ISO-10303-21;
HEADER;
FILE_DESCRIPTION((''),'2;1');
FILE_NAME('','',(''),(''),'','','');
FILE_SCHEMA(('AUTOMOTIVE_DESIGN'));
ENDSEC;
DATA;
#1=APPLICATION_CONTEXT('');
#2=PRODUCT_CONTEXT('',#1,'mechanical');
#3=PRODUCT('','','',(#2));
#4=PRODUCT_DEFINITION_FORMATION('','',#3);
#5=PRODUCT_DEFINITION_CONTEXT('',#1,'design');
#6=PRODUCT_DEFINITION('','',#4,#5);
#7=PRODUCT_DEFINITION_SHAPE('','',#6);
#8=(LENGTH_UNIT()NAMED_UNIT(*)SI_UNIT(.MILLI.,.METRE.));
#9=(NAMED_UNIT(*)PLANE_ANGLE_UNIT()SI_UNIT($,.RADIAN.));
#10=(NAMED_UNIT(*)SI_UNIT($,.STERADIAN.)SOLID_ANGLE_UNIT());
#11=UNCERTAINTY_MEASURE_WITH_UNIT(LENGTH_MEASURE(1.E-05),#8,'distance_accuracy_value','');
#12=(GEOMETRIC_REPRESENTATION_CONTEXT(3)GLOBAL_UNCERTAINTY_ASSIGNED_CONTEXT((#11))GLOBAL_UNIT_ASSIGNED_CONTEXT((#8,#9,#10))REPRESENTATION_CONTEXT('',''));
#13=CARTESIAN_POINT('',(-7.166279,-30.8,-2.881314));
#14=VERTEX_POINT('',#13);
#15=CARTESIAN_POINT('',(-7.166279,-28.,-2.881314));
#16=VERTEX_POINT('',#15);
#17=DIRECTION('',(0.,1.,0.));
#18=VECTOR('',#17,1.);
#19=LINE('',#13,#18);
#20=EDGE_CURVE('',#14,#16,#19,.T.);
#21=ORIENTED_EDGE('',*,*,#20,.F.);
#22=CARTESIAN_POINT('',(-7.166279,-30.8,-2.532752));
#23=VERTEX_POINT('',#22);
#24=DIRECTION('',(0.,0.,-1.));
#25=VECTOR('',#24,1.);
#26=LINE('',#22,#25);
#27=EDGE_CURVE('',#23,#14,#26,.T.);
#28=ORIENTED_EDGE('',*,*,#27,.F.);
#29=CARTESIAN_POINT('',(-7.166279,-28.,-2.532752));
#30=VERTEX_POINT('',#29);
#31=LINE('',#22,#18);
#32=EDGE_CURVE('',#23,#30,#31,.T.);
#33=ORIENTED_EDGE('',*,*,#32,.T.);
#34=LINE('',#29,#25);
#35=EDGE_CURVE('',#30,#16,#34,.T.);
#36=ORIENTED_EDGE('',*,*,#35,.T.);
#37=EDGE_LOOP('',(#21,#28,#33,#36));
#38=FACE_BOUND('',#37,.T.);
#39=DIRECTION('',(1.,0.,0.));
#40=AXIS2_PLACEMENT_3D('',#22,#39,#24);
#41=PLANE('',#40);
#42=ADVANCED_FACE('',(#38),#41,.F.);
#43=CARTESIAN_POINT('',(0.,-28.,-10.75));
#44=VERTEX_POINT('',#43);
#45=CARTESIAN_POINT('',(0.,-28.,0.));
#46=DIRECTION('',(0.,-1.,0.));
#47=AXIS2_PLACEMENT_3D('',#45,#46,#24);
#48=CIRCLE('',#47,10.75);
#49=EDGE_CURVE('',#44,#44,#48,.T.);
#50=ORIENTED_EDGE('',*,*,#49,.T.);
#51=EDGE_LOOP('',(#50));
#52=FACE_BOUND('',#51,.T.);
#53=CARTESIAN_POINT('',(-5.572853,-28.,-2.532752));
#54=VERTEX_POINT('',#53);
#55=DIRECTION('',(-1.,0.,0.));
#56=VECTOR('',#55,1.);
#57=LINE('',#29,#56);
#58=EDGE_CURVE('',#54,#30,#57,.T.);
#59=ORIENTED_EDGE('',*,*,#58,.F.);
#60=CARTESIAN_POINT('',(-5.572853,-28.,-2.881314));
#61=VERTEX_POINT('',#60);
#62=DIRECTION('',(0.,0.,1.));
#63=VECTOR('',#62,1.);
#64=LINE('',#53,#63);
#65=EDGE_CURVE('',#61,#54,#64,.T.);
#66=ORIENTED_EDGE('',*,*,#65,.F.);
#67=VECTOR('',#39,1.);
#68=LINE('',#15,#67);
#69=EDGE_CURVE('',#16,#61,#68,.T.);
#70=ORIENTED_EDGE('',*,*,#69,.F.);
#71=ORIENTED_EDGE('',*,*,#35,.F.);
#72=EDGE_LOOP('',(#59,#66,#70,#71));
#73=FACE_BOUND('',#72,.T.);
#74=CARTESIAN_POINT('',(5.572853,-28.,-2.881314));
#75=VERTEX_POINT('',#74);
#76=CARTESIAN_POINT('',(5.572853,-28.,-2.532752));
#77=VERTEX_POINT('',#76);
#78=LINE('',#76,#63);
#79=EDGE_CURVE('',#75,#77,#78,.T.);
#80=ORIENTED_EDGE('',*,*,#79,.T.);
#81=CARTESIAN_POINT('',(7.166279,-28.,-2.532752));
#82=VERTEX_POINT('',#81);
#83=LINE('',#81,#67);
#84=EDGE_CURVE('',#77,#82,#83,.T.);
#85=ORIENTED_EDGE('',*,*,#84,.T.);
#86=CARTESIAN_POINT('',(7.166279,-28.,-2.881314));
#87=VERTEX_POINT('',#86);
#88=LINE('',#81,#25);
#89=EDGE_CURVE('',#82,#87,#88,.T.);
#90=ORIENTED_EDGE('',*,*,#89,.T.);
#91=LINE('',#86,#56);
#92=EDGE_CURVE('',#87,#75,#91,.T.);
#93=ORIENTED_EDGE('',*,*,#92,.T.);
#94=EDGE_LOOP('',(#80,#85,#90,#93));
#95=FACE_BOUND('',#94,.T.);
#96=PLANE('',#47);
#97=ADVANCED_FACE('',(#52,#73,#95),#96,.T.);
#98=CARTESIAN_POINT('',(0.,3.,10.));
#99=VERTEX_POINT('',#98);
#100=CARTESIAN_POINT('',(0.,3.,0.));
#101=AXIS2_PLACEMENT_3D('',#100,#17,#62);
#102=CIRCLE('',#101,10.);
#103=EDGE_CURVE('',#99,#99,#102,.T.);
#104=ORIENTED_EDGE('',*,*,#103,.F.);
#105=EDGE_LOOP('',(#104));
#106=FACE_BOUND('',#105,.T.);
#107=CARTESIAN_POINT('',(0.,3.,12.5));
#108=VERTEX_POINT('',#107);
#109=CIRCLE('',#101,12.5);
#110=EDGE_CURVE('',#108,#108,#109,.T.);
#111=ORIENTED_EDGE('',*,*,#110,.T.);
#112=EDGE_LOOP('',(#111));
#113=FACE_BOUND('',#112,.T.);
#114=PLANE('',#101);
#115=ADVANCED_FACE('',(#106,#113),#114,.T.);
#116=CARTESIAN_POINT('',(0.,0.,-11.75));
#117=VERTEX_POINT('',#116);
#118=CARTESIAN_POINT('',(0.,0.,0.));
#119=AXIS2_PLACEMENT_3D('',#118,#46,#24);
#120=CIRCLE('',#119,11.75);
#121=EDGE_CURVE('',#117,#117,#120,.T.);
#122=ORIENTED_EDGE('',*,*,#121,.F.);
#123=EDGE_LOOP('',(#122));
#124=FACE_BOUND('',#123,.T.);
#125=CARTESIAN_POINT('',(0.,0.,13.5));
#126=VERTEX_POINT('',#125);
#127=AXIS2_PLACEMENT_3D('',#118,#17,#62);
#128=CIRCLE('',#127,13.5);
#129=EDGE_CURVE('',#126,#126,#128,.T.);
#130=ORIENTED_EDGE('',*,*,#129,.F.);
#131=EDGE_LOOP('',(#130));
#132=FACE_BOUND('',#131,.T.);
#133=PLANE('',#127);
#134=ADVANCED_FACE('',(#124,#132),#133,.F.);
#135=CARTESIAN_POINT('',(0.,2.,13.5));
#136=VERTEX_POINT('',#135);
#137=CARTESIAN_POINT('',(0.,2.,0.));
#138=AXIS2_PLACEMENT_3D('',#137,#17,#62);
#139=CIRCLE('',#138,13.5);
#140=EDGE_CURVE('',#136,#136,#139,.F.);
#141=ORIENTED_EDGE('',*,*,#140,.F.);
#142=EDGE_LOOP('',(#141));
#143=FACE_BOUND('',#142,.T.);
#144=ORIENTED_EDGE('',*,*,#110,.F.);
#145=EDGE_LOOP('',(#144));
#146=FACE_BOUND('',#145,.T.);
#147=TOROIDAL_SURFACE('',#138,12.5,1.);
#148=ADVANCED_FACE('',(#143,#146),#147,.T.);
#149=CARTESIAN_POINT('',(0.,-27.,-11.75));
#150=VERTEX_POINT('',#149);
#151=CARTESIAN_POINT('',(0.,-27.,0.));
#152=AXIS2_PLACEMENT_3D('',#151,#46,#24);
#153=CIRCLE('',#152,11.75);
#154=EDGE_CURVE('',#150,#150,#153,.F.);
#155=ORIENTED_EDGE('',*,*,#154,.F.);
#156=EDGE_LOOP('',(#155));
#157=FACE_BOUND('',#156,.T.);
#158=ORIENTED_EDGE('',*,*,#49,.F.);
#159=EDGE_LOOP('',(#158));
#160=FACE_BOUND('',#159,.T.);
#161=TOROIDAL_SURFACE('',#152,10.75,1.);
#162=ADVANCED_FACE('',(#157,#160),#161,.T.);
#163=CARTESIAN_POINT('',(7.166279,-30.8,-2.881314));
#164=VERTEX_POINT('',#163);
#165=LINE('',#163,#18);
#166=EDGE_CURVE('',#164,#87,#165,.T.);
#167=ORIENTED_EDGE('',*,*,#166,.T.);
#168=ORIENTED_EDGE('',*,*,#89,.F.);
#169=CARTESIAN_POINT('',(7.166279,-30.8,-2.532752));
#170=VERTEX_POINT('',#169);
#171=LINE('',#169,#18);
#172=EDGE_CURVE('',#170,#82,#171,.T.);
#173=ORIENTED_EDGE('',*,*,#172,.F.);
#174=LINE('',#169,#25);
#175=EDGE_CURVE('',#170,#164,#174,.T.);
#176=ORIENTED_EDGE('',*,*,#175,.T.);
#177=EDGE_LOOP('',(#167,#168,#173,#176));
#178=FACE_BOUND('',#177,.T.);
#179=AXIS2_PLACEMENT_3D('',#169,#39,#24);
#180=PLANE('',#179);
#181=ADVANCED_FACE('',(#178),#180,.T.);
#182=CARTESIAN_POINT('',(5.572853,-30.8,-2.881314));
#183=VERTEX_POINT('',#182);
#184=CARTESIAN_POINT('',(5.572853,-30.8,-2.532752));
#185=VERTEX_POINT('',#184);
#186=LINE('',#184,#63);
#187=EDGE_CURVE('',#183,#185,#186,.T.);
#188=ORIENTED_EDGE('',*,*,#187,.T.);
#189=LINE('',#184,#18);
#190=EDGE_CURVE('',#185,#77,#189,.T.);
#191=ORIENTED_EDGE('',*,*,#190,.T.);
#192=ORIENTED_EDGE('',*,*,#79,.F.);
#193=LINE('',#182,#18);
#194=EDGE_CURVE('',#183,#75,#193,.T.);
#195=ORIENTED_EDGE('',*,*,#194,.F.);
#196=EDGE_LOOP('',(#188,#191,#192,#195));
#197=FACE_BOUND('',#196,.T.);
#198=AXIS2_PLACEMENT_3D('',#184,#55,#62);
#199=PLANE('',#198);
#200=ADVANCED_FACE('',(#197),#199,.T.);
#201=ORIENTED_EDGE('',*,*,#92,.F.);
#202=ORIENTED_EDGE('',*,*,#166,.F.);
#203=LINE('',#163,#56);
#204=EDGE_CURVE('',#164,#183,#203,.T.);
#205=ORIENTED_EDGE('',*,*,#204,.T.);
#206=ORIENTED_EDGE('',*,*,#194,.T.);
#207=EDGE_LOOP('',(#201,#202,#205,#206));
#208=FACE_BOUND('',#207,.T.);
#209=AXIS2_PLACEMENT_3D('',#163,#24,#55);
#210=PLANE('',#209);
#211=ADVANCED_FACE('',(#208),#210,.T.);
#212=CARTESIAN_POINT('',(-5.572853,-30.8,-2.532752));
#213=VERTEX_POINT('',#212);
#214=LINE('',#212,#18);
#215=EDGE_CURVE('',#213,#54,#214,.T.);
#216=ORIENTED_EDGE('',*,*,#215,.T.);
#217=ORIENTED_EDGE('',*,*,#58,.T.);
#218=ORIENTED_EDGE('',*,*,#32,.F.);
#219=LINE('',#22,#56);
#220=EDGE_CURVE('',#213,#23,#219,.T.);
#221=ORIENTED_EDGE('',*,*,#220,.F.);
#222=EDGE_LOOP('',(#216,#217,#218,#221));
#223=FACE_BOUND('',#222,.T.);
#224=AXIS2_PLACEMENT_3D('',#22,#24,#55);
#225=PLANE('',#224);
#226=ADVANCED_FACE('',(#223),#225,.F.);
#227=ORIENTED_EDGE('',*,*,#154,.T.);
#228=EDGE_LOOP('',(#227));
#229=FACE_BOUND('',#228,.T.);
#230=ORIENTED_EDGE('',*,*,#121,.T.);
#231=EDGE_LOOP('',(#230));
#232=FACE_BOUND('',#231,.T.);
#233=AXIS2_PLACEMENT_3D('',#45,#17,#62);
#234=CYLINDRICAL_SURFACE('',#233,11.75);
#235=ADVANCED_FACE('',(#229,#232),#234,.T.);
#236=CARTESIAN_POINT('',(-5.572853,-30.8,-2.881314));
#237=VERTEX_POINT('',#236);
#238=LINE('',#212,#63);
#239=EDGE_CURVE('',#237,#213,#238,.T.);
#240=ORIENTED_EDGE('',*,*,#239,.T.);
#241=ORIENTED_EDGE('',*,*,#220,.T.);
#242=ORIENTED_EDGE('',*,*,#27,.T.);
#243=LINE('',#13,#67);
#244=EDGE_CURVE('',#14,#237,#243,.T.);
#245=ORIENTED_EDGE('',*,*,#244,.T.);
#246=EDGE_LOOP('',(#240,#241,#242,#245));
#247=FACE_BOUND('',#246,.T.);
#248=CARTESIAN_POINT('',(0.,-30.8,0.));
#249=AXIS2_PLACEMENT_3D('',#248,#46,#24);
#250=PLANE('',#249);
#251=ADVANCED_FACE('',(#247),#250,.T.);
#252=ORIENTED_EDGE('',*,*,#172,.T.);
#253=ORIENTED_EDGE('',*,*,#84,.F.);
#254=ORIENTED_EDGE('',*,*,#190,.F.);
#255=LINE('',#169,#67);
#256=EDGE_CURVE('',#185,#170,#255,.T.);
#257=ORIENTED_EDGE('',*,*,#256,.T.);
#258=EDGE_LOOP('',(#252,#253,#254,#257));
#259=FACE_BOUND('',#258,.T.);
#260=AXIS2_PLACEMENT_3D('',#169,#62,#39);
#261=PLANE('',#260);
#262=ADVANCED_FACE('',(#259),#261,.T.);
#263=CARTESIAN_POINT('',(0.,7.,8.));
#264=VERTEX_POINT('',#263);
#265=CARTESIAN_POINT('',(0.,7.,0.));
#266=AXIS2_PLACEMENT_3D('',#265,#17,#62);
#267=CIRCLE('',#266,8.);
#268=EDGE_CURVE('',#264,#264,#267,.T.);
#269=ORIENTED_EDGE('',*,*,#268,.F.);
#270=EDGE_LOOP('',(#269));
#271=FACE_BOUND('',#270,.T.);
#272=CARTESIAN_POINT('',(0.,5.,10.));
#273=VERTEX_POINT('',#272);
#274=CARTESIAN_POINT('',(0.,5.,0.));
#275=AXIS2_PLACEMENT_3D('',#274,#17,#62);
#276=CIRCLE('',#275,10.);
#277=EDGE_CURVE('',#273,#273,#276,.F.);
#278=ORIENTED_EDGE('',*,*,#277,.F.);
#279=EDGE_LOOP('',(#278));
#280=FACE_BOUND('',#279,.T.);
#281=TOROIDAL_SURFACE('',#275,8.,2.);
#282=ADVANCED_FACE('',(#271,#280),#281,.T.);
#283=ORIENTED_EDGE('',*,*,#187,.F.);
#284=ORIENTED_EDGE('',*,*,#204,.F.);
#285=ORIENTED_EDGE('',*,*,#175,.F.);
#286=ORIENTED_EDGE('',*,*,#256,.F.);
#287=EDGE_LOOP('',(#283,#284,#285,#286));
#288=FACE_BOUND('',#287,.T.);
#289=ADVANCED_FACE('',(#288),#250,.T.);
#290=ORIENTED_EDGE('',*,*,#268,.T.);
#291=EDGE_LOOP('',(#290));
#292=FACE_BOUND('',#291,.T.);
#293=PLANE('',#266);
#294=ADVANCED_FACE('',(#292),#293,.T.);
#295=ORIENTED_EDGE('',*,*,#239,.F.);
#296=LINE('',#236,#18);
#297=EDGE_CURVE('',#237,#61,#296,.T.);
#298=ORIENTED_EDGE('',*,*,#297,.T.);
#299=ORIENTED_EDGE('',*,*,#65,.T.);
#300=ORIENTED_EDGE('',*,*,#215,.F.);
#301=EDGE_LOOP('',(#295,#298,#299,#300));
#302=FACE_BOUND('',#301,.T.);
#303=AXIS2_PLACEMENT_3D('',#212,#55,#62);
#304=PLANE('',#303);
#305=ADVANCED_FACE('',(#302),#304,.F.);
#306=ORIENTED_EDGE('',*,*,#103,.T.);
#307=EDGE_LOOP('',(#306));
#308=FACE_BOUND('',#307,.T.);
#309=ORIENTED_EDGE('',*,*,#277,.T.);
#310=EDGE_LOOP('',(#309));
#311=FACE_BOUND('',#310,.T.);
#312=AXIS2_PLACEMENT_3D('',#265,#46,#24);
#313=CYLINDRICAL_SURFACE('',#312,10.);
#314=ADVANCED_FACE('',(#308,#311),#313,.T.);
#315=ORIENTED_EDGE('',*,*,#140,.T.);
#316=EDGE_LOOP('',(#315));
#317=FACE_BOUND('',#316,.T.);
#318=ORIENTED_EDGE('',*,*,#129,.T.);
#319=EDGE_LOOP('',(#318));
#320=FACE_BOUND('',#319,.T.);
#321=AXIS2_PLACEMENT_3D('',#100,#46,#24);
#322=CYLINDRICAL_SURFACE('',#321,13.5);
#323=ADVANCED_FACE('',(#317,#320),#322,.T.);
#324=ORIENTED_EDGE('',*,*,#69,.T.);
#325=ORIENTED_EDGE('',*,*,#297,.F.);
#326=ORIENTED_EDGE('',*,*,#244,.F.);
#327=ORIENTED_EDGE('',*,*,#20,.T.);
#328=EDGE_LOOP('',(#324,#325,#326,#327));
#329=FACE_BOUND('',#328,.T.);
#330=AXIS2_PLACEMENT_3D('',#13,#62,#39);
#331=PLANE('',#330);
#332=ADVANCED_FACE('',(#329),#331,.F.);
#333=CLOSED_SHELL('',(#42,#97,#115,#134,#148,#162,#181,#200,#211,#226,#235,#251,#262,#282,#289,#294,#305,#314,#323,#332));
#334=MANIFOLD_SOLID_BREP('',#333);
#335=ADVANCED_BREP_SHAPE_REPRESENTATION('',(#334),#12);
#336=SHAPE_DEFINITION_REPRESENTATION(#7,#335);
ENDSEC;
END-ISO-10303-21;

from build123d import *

# Parameters (mm, degrees)
ESQUISSE1_R        = 13.5
BOSS_EXTRU_1_DEPTH = 3
ESQUISSE2_R        = 10
BOSS_EXTRU_2_DEPTH = 4
ESQUISSE3_R        = 11.75
BOSS_EXTRU_3_DEPTH = 28
ESQUISSE4_W        = 1.593426019
ESQUISSE4_H        = 0.348561941
BOSS_EXTRU_4_DEPTH = 2.8
CONG_1_R           = 2
CONG_2_R           = 1
CONG_3_R           = 1


with BuildPart() as part:
    # Esquisse1 → Boss.-Extru.1 (new body)
    with BuildSketch(Plane(origin=(0, 0, 0), x_dir=(1, 0, 0), z_dir=(0, 1, 0))):
        with Locations(Location((0, 0, 0), (0, 0, 270))):
            Circle(ESQUISSE1_R)
    extrude(amount=BOSS_EXTRU_1_DEPTH)

    # Esquisse2 → Boss.-Extru.2 (add)
    with BuildSketch(Plane(origin=(0, 3, 0), x_dir=(1, 0, 0), z_dir=(0, 1, 0))):
        with Locations(Location((0, 0, 0), (0, 0, 270))):
            Circle(ESQUISSE2_R)
    extrude(amount=BOSS_EXTRU_2_DEPTH)

    # Esquisse3 → Boss.-Extru.3 (add)
    with BuildSketch(Plane.XZ):
        with Locations(Location((0, 0, 0), (0, 0, 270))):
            Circle(ESQUISSE3_R)
    extrude(amount=BOSS_EXTRU_3_DEPTH)

    # Esquisse4 → Boss.-Extru.4 (add)
    with BuildSketch(Plane.XZ.offset(28)):
        with Locations((-6.369565613, -2.707032561)):
            Rectangle(ESQUISSE4_W, ESQUISSE4_H)
    boss_extru_4 = extrude(amount=BOSS_EXTRU_4_DEPTH)

    # Symétrie1: Boss.-Extru.4 across plane
    add(boss_extru_4.mirror(Plane(origin=(0, 0, 0), x_dir=(0, 0, 1), z_dir=(1, 0, 0))))

    # Congé1
    cong_1_edges = [part.edges().sort_by_distance(p)[0] for p in [
        (0, 7, -10),
    ]]
    fillet(cong_1_edges, radius=CONG_1_R)

    # Congé2
    cong_2_edges = [part.edges().sort_by_distance(p)[0] for p in [
        (0, 3, -13.5),
    ]]
    fillet(cong_2_edges, radius=CONG_2_R)

    # Congé3
    cong_3_edges = [part.edges().sort_by_distance(p)[0] for p in [
        (0, -28, 11.75),
    ]]
    fillet(cong_3_edges, radius=CONG_3_R)


solid = part.part
